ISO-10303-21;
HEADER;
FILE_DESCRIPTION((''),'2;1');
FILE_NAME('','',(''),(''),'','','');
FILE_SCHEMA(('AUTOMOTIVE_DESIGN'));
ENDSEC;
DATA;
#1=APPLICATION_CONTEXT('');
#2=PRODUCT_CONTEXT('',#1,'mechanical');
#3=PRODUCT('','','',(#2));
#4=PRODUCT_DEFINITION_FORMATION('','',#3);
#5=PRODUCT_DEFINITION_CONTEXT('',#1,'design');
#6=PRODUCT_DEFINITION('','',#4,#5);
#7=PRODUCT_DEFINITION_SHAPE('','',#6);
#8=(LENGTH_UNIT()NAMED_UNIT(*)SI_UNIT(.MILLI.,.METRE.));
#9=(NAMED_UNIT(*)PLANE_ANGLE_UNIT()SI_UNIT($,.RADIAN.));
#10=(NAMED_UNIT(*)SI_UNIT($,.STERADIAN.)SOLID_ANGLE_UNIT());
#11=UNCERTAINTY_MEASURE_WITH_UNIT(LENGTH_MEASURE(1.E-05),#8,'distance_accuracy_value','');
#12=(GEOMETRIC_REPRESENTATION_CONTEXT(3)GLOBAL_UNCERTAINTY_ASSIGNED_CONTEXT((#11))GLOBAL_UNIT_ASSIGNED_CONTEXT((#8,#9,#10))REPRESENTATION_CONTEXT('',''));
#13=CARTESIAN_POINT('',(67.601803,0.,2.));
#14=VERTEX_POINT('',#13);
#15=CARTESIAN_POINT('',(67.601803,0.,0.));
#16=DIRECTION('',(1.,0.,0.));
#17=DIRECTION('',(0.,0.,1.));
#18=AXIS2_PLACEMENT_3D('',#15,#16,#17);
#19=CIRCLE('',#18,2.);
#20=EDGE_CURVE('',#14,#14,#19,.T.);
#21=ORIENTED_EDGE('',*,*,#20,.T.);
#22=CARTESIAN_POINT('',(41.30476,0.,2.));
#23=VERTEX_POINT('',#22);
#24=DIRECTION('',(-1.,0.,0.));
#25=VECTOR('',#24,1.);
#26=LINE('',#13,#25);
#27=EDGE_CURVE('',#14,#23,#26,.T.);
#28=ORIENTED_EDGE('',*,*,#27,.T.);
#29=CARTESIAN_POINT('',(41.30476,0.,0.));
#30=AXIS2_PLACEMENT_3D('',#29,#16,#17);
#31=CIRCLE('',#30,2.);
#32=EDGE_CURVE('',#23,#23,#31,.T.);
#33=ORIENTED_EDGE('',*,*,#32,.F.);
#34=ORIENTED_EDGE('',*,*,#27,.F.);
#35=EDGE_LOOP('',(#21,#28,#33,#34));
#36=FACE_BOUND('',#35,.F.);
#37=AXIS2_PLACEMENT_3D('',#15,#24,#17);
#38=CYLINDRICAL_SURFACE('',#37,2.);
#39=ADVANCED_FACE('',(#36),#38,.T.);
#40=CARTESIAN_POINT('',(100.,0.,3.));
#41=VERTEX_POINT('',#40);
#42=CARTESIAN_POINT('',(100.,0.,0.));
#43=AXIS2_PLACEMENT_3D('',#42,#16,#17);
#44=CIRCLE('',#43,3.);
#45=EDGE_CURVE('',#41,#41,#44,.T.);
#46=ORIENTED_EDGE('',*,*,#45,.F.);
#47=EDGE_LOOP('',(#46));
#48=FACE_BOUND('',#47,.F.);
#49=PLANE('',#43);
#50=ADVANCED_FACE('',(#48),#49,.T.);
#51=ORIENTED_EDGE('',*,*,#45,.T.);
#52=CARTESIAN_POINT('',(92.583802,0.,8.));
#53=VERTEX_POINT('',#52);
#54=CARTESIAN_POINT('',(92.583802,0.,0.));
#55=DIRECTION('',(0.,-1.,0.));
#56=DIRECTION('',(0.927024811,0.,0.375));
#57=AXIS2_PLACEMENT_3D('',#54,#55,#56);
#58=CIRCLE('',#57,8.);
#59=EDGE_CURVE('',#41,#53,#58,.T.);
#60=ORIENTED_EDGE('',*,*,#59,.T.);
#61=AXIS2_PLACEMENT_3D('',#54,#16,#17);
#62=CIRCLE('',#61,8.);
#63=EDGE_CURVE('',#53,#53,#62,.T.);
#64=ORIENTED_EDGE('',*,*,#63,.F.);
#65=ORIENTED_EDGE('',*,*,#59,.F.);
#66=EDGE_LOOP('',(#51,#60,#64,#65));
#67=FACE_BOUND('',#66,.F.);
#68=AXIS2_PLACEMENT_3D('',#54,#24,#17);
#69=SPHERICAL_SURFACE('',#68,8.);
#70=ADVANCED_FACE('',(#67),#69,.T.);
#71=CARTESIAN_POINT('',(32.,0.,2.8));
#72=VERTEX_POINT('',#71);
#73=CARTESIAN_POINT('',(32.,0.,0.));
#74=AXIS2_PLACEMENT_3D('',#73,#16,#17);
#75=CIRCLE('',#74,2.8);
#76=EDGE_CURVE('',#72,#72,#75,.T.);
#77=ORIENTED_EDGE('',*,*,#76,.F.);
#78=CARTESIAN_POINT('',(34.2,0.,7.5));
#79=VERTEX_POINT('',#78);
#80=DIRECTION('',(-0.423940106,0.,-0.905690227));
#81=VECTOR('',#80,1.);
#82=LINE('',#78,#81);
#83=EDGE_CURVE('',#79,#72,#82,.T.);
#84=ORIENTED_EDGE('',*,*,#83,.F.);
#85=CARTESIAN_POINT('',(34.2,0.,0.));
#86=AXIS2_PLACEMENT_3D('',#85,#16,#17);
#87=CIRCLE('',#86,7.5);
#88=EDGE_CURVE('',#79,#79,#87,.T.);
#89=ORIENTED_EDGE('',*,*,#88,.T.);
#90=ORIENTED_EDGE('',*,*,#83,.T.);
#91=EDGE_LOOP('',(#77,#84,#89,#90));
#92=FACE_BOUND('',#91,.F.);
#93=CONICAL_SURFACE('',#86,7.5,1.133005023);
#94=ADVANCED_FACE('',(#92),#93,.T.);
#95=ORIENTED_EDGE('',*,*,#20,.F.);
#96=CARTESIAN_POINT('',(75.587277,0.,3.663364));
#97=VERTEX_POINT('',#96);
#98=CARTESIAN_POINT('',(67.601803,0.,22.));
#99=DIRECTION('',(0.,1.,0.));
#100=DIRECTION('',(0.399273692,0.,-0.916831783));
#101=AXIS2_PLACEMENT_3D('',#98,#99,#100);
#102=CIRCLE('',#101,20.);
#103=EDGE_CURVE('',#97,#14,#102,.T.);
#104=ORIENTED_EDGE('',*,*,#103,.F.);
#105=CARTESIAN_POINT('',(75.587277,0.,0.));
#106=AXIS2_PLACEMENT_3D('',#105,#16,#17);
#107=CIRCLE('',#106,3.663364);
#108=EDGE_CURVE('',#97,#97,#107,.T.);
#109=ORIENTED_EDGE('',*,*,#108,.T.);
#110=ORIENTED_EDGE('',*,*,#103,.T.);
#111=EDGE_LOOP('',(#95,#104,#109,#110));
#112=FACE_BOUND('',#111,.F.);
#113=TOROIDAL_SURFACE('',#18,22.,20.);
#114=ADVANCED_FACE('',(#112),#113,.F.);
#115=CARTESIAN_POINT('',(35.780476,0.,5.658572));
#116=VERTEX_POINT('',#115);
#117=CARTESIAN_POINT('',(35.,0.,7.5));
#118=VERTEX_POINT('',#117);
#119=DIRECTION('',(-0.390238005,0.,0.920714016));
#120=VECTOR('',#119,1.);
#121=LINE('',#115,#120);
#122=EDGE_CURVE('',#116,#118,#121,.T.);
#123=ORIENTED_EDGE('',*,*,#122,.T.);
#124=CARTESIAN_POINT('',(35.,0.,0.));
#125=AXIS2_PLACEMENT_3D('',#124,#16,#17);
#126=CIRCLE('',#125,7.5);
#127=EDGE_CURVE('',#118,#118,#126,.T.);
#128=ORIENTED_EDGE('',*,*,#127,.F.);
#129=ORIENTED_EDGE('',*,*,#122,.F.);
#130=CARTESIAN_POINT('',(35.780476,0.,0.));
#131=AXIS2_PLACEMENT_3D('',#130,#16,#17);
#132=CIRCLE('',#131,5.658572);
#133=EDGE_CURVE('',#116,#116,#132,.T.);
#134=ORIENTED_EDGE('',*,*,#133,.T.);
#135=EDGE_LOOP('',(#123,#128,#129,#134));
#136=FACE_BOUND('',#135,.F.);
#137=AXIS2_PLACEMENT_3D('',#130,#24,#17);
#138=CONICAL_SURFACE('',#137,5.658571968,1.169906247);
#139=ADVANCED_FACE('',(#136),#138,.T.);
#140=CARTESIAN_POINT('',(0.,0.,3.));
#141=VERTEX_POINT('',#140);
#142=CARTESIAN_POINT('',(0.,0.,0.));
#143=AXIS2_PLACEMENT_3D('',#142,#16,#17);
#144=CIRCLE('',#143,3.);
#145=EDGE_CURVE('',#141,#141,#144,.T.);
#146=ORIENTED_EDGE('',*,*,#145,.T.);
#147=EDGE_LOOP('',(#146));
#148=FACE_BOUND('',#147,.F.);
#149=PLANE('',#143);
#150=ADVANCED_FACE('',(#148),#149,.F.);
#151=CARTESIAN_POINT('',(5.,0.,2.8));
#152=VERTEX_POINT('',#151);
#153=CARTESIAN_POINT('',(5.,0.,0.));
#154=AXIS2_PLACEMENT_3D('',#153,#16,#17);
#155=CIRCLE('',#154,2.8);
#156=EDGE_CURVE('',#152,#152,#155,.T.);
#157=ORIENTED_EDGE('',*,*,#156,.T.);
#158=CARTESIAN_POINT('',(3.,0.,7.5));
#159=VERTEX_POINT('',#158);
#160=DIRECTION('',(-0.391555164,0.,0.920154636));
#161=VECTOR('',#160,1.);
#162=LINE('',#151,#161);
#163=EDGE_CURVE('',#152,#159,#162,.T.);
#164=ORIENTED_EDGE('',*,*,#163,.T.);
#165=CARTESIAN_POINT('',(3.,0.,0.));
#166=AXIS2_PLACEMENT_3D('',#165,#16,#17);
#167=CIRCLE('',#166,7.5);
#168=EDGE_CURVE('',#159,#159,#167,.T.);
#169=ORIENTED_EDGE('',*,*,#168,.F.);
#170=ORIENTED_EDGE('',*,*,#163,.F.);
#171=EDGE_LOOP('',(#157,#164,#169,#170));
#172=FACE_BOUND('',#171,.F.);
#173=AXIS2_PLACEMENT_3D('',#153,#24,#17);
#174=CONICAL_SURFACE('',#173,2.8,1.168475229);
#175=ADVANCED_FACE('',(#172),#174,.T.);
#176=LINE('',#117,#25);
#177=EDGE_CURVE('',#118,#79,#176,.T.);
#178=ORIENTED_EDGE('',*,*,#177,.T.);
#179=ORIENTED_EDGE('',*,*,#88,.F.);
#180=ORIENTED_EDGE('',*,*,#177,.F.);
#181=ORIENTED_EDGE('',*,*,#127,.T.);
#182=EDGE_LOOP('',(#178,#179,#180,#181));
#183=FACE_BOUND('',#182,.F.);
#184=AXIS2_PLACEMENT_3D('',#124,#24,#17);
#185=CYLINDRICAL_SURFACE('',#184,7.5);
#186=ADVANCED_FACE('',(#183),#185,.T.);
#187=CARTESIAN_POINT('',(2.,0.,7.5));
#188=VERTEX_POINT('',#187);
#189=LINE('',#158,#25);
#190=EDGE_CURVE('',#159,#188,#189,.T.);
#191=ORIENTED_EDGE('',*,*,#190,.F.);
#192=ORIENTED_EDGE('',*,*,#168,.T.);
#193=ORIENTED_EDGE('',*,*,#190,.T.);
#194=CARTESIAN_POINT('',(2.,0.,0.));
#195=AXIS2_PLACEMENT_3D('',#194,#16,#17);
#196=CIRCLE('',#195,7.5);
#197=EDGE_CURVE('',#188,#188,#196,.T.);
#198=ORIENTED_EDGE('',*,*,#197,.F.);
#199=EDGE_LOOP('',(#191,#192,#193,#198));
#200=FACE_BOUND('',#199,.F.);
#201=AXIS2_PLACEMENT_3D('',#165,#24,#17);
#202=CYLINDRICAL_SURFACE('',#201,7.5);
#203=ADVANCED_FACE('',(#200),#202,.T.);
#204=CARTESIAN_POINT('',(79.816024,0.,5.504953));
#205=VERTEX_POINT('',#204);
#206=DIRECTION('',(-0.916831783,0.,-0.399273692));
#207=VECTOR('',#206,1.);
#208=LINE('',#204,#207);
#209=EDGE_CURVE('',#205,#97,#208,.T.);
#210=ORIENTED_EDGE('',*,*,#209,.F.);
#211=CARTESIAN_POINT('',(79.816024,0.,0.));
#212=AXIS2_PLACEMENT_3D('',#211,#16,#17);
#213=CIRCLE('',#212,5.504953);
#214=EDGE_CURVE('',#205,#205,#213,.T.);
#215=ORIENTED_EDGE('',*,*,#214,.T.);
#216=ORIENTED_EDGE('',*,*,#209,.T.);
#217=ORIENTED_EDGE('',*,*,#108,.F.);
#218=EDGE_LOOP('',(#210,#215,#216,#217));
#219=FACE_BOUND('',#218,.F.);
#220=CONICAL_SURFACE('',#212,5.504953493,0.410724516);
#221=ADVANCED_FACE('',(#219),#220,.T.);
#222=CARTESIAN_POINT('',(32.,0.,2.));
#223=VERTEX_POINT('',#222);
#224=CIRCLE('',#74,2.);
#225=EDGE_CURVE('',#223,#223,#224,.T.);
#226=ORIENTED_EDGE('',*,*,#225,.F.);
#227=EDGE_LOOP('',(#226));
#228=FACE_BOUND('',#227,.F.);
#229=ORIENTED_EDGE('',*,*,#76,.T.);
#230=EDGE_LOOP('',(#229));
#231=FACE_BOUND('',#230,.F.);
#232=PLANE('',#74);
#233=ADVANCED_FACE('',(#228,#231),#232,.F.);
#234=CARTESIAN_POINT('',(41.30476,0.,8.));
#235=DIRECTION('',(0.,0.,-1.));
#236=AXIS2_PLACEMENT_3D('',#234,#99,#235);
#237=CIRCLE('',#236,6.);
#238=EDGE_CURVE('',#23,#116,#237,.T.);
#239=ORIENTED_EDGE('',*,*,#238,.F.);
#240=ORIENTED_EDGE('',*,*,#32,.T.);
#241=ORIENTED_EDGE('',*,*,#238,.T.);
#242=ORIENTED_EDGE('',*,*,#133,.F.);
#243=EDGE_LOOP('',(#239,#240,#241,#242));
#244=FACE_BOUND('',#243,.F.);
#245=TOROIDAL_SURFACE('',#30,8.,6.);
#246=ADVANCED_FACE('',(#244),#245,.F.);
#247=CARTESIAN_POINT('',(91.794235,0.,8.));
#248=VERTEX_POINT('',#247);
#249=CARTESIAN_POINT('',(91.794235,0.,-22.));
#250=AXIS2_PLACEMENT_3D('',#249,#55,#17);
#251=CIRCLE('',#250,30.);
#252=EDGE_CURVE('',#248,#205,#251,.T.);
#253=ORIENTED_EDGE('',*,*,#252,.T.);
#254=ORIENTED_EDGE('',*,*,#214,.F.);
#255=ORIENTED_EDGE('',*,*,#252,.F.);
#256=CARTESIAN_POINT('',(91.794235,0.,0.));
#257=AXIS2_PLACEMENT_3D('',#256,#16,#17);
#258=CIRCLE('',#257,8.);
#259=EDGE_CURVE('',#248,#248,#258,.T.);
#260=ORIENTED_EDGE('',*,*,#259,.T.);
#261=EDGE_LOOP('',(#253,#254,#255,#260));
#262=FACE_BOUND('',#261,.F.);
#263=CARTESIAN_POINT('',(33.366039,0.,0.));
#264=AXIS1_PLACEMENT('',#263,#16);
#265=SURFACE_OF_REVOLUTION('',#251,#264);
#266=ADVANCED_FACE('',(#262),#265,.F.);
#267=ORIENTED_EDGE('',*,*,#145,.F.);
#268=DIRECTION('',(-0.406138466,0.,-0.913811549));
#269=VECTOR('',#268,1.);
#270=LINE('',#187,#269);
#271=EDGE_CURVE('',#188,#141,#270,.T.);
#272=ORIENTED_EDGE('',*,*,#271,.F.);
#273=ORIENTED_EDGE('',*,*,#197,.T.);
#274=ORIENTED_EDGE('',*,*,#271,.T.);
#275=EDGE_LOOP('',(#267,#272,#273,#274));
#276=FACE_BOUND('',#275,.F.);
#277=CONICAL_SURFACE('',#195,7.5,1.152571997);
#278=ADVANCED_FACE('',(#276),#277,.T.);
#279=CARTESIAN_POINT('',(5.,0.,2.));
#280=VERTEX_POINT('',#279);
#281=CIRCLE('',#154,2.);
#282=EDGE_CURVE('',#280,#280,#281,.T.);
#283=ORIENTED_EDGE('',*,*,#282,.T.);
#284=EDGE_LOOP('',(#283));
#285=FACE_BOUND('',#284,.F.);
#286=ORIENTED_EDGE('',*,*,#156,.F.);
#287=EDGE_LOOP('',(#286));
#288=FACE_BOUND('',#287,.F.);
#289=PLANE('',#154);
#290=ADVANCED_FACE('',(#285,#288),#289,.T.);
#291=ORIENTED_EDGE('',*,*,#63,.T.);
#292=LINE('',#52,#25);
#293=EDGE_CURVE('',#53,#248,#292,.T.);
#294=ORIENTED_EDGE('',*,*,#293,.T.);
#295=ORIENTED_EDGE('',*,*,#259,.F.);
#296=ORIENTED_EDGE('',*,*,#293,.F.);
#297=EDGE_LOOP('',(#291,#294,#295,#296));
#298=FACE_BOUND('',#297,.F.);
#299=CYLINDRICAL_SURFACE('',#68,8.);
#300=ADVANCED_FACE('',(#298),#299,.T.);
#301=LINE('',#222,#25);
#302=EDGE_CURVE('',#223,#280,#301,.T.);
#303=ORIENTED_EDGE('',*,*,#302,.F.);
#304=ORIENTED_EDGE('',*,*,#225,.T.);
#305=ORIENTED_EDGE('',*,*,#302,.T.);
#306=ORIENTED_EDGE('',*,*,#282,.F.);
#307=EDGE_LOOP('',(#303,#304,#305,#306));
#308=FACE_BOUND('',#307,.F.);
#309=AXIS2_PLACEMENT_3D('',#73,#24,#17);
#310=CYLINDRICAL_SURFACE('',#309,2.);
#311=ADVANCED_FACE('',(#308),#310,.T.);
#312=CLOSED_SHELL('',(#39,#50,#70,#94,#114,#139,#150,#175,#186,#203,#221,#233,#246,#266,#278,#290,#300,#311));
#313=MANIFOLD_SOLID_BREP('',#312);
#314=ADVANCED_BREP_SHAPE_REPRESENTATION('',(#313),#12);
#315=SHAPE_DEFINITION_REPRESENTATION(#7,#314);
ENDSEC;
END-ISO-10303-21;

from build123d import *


with BuildPart() as f2:
    # F0 (on Front) → F2 (revolve)
    with BuildSketch(Plane.XZ):
        with BuildLine():
            Line((32, 2), (5, 2))
            Line((5, 2), (5, 2.8))
            Line((5, 2.8), (3, 7.5))
            Line((3, 7.5), (2, 7.5))
            Line((2, 7.5), (0, 3))
            Line((0, 3), (0, 0))
            Line((0, 0), (100, 0))
            Line((100, 0), (100, 3))
            ThreePointArc((100, 3), (97.0559374679, 6.6332495807), (92.5838015129, 8))
            Line((92.5838015129, 8), (91.794234764, 8))
            ThreePointArc((91.794234764, 8), (85.6765801804, 7.3696152919), (79.8160239901, 5.5049534931))
            Line((79.8160239901, 5.5049534931), (75.5872768908, 3.663364338))
            ThreePointArc((75.5872768908, 3.663364338), (71.6802394306, 2.420256472), (67.6018030415, 2))
            Line((67.6018030415, 2), (41.3047601065, 2))
            ThreePointArc((41.3047601065, 2), (37.9917983041, 2.9975721798), (35.7804760106, 5.6585719681))
            Line((35.7804760106, 5.6585719681), (35, 7.5))
            Line((35, 7.5), (34.2, 7.5))
            Line((34.2, 7.5), (32, 2.8))
            Line((32, 2.8), (32, 2))
        make_face()
    revolve(axis=Axis((33.3660393953, 0, 0), (1, 0, 0)))


solid = f2.part
